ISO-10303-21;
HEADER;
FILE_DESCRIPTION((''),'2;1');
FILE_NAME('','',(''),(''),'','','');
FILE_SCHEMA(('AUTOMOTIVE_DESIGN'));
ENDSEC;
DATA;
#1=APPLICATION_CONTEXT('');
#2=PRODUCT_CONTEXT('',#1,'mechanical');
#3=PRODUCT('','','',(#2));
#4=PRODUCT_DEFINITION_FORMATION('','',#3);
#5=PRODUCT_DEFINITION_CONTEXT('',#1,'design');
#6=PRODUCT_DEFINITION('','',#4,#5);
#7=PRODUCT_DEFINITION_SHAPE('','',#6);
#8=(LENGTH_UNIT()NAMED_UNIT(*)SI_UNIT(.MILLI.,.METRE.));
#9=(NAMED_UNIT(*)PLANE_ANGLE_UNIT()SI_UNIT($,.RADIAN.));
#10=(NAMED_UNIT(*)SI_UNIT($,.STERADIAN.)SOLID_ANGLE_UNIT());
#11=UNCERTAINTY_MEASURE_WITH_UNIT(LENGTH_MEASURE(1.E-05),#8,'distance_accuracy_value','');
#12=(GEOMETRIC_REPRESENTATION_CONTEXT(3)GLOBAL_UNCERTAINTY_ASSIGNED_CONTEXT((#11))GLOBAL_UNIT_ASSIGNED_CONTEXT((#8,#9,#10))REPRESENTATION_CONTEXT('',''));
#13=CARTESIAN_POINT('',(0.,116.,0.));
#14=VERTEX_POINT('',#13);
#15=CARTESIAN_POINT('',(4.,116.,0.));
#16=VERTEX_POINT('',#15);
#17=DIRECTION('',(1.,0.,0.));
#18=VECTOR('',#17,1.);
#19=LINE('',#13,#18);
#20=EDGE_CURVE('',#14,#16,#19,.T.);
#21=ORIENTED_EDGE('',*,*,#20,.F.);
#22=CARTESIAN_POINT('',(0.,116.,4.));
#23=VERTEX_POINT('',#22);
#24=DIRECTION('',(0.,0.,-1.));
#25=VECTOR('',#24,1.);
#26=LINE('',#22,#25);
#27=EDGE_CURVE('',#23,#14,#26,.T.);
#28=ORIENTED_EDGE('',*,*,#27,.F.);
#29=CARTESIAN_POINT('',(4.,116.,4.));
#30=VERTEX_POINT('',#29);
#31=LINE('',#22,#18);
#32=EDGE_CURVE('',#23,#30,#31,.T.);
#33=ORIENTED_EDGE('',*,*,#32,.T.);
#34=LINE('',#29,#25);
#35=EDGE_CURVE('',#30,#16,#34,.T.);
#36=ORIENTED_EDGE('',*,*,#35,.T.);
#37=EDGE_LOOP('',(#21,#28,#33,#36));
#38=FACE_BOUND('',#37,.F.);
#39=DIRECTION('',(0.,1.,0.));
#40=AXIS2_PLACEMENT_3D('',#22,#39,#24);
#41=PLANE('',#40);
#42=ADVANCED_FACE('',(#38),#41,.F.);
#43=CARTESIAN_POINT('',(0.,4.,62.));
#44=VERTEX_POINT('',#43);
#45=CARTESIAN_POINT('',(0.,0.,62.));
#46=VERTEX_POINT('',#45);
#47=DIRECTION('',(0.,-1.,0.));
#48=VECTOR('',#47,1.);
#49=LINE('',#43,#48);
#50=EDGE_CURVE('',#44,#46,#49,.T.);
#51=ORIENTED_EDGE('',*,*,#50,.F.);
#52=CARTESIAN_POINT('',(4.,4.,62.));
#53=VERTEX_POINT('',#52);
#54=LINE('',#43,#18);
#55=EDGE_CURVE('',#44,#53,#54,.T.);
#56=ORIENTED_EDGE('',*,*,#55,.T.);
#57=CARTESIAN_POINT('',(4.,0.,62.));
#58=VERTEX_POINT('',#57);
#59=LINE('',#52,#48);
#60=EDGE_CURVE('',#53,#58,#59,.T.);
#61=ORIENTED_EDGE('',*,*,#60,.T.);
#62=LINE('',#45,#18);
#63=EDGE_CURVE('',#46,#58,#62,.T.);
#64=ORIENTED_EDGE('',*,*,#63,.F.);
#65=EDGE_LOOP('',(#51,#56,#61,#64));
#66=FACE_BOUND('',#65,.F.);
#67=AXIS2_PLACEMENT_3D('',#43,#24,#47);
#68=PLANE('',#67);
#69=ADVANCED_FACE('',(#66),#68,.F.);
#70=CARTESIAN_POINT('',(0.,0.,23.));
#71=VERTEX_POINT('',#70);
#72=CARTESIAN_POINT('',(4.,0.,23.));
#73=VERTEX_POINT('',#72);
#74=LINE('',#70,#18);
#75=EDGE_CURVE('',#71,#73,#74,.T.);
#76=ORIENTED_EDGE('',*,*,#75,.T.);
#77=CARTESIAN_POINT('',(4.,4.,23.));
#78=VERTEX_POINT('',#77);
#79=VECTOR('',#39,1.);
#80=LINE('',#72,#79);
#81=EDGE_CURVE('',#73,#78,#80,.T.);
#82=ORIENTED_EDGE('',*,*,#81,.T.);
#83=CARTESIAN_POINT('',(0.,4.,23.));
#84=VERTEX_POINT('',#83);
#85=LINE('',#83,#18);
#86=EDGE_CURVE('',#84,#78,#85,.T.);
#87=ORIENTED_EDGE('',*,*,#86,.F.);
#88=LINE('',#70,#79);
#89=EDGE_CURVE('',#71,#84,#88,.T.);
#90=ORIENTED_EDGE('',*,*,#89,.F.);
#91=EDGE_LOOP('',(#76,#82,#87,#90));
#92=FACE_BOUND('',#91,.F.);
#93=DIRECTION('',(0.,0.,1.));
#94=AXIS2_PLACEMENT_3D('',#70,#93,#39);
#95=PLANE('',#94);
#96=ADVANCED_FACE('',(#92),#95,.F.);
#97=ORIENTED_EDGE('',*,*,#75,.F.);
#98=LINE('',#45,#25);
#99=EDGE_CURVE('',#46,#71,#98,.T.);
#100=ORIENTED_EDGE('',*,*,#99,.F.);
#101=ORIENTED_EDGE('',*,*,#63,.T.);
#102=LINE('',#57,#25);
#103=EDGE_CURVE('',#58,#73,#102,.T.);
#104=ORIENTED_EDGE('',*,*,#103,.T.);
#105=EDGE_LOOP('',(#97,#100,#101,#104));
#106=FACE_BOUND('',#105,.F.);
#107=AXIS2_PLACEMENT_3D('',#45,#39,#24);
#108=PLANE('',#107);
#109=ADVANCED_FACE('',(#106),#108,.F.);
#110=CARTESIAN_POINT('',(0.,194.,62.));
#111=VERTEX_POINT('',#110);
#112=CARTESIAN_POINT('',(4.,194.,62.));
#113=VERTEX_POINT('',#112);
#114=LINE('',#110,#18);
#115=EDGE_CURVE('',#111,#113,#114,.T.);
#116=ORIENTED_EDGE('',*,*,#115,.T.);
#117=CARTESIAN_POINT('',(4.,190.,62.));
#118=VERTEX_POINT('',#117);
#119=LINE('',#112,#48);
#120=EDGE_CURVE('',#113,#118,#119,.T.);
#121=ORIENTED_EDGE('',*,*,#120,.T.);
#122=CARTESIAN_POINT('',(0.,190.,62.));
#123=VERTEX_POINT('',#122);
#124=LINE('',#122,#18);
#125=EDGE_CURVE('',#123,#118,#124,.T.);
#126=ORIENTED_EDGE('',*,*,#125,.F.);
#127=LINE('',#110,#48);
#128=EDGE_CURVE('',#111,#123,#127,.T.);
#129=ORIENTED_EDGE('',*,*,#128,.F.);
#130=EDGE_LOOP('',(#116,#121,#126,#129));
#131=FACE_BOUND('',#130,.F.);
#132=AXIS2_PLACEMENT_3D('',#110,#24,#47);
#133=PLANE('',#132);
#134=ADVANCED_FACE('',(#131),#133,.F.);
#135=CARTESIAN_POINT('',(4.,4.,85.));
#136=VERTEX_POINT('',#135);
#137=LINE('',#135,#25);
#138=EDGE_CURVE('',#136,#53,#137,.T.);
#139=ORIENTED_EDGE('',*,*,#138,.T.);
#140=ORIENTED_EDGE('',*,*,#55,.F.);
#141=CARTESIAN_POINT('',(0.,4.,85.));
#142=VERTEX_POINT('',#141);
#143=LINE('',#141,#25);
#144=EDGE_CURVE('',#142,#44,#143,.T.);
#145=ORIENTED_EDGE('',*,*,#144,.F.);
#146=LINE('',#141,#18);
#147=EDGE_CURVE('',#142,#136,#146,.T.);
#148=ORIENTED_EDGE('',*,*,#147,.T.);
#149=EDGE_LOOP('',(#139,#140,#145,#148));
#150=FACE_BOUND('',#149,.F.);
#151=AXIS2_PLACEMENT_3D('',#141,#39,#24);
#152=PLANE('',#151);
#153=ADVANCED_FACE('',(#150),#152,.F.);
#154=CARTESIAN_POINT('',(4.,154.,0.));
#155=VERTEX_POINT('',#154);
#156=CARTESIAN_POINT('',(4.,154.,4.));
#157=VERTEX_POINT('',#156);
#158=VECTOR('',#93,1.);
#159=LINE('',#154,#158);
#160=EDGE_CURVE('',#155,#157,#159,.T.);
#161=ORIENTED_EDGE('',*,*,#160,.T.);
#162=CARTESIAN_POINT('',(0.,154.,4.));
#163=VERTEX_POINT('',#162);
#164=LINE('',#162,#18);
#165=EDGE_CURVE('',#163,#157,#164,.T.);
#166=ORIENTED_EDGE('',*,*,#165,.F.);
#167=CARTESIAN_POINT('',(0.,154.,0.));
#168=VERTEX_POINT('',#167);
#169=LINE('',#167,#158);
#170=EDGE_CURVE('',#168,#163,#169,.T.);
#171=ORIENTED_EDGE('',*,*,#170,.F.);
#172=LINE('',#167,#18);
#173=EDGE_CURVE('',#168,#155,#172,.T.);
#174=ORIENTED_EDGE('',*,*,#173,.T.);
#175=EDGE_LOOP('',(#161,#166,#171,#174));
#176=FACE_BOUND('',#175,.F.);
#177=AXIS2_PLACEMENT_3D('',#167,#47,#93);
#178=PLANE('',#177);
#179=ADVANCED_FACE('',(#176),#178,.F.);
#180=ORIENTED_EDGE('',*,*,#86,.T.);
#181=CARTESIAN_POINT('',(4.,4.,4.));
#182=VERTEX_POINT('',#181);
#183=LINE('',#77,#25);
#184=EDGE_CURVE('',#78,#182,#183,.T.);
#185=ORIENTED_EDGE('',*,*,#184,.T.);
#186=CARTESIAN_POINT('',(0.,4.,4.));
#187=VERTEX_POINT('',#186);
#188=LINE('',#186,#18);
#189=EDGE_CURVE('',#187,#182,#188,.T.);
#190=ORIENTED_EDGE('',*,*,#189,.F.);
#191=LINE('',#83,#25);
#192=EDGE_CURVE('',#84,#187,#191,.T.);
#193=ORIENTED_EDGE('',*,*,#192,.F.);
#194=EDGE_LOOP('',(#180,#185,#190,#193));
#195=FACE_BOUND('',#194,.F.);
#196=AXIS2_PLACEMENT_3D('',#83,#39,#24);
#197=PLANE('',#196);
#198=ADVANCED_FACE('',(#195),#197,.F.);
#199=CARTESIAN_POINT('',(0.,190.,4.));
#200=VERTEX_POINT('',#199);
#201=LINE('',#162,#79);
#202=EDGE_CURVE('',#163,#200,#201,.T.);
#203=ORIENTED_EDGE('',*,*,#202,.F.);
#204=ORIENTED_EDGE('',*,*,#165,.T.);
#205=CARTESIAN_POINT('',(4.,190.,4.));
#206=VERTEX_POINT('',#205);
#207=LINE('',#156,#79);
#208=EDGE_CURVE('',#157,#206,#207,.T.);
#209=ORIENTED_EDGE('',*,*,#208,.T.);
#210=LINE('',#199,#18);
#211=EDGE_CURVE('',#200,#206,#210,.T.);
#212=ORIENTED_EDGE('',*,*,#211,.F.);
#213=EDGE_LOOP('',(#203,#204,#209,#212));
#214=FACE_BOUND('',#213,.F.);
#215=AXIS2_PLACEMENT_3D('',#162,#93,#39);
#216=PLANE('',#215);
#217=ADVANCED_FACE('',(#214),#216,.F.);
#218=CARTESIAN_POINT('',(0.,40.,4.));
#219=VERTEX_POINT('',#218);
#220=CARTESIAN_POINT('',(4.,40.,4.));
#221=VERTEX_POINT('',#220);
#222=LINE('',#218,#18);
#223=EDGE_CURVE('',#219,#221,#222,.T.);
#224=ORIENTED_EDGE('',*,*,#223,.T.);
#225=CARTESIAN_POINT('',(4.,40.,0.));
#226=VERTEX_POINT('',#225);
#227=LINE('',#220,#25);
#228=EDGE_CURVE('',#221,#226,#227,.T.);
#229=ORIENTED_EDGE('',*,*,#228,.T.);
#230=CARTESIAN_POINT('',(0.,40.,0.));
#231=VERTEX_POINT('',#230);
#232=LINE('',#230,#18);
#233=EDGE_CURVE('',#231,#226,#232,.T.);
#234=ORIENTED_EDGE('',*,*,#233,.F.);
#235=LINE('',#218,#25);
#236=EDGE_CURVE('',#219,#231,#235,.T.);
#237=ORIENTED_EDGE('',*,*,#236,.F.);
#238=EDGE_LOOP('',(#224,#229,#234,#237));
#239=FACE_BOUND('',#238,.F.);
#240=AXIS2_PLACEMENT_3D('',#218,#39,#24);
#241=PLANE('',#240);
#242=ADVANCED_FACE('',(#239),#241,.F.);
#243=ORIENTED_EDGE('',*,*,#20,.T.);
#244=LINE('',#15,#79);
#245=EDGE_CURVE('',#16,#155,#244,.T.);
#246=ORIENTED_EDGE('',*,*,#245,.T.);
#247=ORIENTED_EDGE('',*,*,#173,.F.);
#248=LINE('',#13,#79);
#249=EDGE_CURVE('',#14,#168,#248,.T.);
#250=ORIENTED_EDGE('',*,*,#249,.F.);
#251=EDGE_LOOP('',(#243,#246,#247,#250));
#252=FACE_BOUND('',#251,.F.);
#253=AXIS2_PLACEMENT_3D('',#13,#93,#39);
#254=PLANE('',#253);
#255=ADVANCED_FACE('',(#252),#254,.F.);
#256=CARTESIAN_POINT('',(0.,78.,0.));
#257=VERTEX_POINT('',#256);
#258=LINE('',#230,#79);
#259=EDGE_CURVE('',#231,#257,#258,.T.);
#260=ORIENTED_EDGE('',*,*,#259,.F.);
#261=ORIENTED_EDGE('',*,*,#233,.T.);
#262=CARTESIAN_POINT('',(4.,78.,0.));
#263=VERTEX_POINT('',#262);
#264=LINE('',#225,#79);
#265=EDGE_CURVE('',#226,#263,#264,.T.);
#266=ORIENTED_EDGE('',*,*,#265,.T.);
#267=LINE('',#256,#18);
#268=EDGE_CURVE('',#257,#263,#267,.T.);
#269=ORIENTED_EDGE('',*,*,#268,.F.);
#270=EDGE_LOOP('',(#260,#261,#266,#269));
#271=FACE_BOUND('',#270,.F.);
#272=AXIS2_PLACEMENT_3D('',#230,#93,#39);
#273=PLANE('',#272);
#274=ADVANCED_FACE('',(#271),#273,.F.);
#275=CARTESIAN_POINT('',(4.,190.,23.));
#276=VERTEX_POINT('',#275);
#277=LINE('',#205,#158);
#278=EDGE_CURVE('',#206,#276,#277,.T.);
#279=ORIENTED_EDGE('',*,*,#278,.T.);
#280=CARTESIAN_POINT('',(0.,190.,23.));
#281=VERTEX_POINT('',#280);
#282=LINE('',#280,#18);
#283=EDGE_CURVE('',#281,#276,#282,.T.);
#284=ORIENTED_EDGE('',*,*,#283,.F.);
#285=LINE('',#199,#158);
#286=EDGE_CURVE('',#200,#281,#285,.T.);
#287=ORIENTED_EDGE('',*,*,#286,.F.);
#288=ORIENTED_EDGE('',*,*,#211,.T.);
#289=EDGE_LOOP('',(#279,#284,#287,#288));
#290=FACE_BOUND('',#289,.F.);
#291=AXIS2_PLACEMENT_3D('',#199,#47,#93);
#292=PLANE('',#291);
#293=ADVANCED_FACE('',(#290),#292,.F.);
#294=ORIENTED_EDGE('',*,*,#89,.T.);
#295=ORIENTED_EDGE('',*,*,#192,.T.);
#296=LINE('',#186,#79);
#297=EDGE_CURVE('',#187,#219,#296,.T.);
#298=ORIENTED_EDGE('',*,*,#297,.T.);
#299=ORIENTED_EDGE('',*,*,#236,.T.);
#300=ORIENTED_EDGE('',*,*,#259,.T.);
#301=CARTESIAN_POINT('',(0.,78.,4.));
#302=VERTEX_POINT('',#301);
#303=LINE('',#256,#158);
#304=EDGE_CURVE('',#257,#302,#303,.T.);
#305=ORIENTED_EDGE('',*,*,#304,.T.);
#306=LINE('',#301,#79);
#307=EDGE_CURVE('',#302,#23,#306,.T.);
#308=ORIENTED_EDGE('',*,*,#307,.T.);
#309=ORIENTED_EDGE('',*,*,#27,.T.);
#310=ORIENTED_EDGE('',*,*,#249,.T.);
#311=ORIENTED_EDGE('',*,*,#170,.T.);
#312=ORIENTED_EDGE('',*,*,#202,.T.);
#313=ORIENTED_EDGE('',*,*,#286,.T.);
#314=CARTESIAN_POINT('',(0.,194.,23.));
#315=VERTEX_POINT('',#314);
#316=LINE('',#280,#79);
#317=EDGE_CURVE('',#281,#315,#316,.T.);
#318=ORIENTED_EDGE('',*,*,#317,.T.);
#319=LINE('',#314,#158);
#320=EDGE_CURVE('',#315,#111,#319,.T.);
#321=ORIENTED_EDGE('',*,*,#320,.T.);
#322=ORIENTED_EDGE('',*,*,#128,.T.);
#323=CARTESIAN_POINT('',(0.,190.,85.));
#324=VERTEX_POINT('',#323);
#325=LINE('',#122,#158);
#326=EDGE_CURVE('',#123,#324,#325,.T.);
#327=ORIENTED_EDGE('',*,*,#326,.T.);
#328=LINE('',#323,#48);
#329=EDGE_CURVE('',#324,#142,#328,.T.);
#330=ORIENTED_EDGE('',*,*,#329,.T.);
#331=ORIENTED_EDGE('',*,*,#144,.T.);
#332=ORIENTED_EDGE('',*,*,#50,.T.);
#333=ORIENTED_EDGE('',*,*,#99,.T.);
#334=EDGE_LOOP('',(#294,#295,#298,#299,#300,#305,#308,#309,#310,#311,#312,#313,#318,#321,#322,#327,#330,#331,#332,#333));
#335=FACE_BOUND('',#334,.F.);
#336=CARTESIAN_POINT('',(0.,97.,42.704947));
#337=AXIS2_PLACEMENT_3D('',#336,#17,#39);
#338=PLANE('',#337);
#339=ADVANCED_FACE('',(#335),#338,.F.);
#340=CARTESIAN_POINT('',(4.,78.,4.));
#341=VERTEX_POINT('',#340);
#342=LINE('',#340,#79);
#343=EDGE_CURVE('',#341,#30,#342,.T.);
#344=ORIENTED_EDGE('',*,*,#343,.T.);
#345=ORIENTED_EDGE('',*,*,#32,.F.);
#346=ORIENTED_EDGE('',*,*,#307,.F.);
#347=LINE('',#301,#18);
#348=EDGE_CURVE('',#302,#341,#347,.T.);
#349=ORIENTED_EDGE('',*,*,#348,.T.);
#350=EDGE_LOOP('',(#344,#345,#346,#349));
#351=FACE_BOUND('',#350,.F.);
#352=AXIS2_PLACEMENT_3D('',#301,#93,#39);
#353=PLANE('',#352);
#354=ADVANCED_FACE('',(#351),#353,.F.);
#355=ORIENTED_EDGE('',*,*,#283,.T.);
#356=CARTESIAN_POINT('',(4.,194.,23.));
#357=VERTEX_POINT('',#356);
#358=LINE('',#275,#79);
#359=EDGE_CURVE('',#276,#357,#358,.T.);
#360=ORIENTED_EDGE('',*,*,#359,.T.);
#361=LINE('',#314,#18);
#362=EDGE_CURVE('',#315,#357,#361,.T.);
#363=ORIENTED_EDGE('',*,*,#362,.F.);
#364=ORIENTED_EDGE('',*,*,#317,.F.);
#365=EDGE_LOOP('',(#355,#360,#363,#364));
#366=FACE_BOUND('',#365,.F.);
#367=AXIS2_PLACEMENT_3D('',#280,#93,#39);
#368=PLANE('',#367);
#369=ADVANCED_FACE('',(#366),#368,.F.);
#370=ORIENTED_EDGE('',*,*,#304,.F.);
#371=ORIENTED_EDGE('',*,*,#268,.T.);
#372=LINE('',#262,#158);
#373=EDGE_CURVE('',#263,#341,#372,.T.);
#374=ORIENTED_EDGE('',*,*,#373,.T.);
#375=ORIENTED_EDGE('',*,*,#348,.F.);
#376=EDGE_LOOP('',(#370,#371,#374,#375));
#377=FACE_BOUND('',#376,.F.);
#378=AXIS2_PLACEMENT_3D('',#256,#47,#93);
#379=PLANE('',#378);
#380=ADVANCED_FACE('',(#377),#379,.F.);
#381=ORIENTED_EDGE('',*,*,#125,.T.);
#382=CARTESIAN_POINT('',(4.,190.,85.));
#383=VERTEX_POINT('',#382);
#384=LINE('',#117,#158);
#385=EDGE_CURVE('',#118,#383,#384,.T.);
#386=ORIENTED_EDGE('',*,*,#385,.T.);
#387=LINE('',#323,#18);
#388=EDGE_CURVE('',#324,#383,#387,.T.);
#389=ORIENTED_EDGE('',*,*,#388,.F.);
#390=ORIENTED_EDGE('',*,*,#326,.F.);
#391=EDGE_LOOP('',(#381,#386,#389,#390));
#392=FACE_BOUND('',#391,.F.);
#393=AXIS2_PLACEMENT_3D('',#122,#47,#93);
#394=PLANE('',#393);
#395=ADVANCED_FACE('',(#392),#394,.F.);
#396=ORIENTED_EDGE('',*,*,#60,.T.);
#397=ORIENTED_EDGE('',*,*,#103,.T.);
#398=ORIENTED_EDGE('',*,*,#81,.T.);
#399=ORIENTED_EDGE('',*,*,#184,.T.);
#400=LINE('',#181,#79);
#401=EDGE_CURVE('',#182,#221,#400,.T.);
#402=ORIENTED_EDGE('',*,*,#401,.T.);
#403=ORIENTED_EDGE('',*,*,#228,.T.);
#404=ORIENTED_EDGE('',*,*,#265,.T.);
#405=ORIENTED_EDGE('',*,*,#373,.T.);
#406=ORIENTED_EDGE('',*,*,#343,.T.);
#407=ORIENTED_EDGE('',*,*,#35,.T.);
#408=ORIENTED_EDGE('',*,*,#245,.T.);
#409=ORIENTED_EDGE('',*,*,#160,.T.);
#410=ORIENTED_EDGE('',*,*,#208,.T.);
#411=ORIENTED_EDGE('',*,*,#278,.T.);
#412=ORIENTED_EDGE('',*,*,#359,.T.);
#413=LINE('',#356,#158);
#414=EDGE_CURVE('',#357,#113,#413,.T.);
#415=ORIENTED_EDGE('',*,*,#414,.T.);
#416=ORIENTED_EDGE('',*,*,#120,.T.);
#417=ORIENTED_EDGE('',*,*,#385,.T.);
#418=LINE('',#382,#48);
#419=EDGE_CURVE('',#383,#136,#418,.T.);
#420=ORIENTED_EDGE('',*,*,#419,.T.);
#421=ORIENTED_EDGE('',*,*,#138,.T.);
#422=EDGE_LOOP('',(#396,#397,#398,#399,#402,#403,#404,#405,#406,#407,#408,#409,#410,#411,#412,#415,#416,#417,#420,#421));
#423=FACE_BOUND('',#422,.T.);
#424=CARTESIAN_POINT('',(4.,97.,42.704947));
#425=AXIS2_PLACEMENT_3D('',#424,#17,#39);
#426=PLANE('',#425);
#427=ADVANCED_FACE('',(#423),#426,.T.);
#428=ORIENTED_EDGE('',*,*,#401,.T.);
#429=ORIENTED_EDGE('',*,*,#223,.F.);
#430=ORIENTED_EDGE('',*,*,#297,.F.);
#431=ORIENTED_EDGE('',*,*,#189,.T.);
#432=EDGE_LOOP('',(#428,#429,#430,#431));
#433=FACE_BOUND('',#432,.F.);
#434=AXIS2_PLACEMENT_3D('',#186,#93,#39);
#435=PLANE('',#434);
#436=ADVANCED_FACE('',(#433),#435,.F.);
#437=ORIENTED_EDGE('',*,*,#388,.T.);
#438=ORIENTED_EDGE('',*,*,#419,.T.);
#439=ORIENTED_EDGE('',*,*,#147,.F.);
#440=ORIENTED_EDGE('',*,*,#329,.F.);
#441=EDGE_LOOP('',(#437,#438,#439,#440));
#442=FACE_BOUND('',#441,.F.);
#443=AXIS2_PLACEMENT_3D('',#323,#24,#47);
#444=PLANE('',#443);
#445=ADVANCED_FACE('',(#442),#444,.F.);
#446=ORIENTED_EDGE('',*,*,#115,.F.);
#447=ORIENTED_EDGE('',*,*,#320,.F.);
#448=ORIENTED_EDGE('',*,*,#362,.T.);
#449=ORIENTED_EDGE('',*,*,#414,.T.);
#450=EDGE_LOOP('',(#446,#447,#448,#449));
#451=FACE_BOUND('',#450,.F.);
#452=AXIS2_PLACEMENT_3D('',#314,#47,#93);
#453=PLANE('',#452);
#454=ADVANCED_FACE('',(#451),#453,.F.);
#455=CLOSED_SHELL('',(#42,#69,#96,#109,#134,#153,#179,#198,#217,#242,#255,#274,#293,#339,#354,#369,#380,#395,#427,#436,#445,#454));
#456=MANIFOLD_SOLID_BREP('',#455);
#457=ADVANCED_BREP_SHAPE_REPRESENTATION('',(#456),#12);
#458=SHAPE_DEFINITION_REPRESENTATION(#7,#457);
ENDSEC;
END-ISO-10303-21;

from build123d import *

# Parameters (mm, degrees)
F1_DEPTH = 4


with BuildPart() as f1:
    # F0 (on Right) → F1 (new body)
    with BuildSketch(Plane.YZ):
        Polygon((40, 4), (40, 0), (78, 0), (78, 4), (116, 4), (116, 0), (154, 0), (154, 4), (190, 4), (190, 23), (194, 23), (194, 62), (190, 62), (190, 85), (4, 85), (4, 62), (0, 62), (0, 23), (4, 23), (4, 4), align=None)
    extrude(amount=F1_DEPTH)


solid = f1.part
